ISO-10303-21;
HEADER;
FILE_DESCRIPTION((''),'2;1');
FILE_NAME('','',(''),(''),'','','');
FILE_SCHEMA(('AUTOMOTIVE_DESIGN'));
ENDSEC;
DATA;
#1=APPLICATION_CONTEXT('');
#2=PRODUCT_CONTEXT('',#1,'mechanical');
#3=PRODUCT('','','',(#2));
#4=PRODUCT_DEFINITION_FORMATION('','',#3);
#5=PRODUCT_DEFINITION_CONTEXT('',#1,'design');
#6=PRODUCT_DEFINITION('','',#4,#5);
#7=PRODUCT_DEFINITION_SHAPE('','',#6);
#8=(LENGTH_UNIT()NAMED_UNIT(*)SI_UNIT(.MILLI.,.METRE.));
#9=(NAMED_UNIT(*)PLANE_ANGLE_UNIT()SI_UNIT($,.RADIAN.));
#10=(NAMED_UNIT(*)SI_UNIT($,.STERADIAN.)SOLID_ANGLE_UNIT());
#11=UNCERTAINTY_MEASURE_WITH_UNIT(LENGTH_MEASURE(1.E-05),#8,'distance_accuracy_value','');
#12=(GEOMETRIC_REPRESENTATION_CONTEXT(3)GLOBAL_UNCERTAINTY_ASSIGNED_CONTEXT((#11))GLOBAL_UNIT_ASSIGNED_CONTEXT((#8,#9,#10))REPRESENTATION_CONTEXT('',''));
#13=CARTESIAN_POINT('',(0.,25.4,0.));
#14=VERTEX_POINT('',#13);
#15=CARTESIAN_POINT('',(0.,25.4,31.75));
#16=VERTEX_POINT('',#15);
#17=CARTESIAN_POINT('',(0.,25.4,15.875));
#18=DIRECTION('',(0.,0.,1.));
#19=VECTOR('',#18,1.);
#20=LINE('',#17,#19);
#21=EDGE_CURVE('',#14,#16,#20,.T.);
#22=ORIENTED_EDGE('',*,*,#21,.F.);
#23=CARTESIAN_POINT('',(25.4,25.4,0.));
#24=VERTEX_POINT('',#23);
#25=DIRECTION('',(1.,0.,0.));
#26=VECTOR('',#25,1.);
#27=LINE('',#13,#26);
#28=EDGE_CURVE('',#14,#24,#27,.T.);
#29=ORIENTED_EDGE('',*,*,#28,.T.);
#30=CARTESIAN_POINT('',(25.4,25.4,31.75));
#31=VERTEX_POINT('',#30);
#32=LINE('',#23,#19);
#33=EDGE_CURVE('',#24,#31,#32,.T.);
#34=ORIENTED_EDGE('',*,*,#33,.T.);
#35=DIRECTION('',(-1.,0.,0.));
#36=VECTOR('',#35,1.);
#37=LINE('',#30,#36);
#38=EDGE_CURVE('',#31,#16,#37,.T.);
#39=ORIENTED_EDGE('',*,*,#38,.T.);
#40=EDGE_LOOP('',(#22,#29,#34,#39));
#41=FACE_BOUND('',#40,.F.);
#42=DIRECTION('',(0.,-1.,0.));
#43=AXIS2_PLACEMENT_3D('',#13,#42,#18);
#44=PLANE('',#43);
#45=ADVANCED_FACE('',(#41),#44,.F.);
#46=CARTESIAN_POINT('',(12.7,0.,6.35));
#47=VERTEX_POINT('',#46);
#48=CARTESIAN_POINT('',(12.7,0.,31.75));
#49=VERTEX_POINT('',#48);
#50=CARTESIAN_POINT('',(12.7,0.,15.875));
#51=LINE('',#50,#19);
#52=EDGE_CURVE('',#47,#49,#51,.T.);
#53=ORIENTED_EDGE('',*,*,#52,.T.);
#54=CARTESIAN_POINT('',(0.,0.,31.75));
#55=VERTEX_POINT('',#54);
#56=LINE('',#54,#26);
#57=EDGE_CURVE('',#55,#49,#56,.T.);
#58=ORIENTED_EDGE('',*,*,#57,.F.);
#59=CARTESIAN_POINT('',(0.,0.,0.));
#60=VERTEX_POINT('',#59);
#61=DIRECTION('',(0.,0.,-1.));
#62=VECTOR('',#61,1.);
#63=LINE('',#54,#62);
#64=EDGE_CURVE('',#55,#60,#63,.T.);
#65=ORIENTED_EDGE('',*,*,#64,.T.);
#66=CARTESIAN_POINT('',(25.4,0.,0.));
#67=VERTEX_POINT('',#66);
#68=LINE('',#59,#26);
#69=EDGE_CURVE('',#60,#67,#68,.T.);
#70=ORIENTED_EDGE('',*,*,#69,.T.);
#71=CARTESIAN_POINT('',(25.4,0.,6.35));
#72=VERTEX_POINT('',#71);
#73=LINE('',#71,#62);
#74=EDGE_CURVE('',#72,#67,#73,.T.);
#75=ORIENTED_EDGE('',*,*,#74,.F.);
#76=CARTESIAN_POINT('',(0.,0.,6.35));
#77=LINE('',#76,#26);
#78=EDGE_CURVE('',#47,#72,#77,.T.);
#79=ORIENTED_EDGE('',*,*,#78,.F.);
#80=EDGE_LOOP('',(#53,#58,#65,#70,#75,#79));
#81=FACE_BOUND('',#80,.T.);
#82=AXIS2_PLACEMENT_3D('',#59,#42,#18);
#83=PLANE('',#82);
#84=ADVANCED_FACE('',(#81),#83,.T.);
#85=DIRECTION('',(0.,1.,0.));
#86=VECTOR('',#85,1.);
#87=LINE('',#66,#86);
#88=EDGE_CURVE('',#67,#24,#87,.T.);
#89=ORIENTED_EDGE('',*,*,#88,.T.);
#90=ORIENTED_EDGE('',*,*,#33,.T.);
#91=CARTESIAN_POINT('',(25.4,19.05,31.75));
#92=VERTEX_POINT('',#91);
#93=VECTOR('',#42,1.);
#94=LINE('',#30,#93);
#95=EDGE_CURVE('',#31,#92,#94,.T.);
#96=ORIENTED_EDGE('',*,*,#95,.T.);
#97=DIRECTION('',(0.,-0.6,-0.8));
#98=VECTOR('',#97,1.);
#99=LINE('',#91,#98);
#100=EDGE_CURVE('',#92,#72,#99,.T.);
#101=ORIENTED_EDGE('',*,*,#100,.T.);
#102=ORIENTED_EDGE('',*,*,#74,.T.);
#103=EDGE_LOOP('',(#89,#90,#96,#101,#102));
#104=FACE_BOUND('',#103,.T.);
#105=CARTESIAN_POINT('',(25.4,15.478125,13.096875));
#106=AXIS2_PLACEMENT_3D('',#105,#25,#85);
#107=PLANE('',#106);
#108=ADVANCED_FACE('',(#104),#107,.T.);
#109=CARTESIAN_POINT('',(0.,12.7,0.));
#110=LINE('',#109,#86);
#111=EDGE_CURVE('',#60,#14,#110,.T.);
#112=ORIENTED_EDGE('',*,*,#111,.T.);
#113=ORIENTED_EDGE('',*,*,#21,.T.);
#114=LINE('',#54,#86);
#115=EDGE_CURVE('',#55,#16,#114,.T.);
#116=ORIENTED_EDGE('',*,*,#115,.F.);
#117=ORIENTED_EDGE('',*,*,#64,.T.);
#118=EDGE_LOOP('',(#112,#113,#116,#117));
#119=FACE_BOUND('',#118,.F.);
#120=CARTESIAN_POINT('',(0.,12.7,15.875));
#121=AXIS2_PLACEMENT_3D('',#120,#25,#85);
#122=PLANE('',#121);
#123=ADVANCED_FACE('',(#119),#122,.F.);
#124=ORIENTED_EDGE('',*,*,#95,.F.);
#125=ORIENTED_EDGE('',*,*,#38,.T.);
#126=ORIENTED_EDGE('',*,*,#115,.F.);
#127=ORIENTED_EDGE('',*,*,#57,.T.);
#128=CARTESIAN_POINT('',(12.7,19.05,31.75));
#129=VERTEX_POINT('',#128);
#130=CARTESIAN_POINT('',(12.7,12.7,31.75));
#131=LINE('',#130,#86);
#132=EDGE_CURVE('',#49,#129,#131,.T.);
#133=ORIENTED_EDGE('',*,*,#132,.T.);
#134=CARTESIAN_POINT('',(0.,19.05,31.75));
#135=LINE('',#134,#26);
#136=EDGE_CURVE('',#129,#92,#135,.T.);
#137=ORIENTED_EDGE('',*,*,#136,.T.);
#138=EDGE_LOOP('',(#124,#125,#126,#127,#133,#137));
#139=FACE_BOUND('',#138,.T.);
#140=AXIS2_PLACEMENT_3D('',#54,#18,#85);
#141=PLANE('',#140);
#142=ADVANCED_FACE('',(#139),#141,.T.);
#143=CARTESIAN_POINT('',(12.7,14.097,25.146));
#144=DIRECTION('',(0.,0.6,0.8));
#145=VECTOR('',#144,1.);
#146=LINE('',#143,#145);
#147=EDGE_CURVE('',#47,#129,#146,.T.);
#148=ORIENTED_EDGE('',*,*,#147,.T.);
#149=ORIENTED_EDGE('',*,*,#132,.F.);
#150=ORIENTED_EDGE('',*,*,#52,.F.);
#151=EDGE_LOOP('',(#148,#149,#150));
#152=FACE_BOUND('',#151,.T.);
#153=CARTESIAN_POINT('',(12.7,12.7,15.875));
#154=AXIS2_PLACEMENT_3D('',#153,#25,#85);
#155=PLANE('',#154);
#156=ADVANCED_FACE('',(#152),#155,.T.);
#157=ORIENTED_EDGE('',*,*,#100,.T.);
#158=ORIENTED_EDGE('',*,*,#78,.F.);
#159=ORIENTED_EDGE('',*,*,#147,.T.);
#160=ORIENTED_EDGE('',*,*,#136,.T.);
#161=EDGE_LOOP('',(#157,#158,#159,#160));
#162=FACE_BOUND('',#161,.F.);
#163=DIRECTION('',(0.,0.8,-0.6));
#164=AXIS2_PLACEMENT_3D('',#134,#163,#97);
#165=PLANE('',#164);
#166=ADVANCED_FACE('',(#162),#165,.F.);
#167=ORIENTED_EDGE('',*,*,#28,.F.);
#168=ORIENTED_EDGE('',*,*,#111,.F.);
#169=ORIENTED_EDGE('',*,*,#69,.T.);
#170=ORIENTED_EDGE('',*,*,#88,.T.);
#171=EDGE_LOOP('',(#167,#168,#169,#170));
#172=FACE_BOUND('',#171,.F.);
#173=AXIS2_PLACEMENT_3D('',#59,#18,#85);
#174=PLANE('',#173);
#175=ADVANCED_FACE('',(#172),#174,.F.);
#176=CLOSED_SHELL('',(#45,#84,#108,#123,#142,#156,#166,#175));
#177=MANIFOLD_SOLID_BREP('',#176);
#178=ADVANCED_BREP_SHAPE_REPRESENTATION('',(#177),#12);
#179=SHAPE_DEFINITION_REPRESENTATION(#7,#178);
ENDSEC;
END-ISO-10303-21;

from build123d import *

# Parameters (mm, degrees)
F0_W     = 25.4
F0_H     = 31.75
F1_DEPTH = 12.7
F3_DEPTH = 25.4


with BuildPart() as f1:
    # F0 (on Right) → F1 (new body)
    with BuildSketch(Plane.YZ):
        with Locations((12.7, 15.875)):
            Rectangle(F0_W, F0_H)
    extrude(amount=F1_DEPTH)

    # F2 (on Right) → F3 (join)
    with BuildSketch(Plane.YZ):
        Polygon((19.05, 31.75), (0, 6.35), (0, 0), (25.4, 0), (25.4, 31.75), align=None)
    extrude(amount=F3_DEPTH)


solid = f1.part
